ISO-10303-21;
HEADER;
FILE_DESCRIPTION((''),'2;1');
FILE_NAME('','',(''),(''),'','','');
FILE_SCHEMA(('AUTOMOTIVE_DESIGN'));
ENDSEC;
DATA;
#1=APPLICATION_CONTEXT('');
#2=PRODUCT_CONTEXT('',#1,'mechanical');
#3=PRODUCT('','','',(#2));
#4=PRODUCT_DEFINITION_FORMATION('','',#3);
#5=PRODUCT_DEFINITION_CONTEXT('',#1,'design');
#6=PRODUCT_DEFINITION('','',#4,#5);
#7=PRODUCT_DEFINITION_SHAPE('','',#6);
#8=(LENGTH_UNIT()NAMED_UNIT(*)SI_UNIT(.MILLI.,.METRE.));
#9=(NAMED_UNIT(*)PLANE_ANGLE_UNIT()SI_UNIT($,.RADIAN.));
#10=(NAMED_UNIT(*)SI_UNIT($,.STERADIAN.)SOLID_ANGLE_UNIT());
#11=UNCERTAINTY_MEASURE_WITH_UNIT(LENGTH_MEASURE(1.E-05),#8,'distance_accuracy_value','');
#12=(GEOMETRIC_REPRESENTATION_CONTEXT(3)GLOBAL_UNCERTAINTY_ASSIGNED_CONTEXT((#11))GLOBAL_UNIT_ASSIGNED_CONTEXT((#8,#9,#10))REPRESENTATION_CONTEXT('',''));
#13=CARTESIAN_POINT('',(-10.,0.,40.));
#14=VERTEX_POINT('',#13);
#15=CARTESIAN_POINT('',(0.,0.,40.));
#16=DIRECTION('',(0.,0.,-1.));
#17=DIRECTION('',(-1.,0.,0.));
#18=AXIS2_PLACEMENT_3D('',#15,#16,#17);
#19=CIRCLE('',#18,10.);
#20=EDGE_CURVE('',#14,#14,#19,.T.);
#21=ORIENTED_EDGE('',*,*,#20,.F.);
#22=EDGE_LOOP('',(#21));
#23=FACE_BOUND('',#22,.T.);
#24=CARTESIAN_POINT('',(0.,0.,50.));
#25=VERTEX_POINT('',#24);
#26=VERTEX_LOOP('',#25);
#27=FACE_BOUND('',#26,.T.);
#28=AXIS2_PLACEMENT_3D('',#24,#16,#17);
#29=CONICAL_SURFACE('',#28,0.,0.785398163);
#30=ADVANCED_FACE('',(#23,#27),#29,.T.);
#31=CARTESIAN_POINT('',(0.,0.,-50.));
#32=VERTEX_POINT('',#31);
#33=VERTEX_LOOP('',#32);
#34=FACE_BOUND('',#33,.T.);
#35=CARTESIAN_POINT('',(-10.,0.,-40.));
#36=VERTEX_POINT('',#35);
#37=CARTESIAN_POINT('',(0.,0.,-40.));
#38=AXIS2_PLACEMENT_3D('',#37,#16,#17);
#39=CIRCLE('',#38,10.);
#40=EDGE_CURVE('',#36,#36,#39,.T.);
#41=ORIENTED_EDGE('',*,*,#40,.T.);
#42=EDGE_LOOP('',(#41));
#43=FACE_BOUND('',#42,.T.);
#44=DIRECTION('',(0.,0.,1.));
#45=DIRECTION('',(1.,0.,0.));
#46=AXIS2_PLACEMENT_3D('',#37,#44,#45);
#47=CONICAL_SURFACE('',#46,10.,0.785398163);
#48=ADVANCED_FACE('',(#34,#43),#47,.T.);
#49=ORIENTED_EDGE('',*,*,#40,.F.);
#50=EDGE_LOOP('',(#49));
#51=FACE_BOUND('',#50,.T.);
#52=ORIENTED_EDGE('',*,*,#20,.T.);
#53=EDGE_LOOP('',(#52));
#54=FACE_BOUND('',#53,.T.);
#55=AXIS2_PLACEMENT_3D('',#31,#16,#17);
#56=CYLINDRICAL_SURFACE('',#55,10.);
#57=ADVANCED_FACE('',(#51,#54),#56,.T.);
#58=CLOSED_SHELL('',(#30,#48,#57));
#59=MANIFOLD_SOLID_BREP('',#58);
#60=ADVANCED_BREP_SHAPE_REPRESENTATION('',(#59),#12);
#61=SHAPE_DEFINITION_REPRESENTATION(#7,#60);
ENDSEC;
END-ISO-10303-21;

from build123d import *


with BuildPart() as part:
    # Sketch4 → Revolve2 (revolve)
    with BuildSketch(Plane(origin=(0, 0, 0), x_dir=(1, 0, 0), z_dir=(0, 1, 0)), mode=Mode.PRIVATE) as revolve2_sk:
        Polygon((0, 50), (0, -50), (10, -40), (10, 40), align=None)
    revolve(revolve2_sk.sketch.rotate(Axis((0, 0, -50), (0, 0, 1)), 180), axis=Axis((0, 0, -50), (0, 0, 1)))


solid = part.part
